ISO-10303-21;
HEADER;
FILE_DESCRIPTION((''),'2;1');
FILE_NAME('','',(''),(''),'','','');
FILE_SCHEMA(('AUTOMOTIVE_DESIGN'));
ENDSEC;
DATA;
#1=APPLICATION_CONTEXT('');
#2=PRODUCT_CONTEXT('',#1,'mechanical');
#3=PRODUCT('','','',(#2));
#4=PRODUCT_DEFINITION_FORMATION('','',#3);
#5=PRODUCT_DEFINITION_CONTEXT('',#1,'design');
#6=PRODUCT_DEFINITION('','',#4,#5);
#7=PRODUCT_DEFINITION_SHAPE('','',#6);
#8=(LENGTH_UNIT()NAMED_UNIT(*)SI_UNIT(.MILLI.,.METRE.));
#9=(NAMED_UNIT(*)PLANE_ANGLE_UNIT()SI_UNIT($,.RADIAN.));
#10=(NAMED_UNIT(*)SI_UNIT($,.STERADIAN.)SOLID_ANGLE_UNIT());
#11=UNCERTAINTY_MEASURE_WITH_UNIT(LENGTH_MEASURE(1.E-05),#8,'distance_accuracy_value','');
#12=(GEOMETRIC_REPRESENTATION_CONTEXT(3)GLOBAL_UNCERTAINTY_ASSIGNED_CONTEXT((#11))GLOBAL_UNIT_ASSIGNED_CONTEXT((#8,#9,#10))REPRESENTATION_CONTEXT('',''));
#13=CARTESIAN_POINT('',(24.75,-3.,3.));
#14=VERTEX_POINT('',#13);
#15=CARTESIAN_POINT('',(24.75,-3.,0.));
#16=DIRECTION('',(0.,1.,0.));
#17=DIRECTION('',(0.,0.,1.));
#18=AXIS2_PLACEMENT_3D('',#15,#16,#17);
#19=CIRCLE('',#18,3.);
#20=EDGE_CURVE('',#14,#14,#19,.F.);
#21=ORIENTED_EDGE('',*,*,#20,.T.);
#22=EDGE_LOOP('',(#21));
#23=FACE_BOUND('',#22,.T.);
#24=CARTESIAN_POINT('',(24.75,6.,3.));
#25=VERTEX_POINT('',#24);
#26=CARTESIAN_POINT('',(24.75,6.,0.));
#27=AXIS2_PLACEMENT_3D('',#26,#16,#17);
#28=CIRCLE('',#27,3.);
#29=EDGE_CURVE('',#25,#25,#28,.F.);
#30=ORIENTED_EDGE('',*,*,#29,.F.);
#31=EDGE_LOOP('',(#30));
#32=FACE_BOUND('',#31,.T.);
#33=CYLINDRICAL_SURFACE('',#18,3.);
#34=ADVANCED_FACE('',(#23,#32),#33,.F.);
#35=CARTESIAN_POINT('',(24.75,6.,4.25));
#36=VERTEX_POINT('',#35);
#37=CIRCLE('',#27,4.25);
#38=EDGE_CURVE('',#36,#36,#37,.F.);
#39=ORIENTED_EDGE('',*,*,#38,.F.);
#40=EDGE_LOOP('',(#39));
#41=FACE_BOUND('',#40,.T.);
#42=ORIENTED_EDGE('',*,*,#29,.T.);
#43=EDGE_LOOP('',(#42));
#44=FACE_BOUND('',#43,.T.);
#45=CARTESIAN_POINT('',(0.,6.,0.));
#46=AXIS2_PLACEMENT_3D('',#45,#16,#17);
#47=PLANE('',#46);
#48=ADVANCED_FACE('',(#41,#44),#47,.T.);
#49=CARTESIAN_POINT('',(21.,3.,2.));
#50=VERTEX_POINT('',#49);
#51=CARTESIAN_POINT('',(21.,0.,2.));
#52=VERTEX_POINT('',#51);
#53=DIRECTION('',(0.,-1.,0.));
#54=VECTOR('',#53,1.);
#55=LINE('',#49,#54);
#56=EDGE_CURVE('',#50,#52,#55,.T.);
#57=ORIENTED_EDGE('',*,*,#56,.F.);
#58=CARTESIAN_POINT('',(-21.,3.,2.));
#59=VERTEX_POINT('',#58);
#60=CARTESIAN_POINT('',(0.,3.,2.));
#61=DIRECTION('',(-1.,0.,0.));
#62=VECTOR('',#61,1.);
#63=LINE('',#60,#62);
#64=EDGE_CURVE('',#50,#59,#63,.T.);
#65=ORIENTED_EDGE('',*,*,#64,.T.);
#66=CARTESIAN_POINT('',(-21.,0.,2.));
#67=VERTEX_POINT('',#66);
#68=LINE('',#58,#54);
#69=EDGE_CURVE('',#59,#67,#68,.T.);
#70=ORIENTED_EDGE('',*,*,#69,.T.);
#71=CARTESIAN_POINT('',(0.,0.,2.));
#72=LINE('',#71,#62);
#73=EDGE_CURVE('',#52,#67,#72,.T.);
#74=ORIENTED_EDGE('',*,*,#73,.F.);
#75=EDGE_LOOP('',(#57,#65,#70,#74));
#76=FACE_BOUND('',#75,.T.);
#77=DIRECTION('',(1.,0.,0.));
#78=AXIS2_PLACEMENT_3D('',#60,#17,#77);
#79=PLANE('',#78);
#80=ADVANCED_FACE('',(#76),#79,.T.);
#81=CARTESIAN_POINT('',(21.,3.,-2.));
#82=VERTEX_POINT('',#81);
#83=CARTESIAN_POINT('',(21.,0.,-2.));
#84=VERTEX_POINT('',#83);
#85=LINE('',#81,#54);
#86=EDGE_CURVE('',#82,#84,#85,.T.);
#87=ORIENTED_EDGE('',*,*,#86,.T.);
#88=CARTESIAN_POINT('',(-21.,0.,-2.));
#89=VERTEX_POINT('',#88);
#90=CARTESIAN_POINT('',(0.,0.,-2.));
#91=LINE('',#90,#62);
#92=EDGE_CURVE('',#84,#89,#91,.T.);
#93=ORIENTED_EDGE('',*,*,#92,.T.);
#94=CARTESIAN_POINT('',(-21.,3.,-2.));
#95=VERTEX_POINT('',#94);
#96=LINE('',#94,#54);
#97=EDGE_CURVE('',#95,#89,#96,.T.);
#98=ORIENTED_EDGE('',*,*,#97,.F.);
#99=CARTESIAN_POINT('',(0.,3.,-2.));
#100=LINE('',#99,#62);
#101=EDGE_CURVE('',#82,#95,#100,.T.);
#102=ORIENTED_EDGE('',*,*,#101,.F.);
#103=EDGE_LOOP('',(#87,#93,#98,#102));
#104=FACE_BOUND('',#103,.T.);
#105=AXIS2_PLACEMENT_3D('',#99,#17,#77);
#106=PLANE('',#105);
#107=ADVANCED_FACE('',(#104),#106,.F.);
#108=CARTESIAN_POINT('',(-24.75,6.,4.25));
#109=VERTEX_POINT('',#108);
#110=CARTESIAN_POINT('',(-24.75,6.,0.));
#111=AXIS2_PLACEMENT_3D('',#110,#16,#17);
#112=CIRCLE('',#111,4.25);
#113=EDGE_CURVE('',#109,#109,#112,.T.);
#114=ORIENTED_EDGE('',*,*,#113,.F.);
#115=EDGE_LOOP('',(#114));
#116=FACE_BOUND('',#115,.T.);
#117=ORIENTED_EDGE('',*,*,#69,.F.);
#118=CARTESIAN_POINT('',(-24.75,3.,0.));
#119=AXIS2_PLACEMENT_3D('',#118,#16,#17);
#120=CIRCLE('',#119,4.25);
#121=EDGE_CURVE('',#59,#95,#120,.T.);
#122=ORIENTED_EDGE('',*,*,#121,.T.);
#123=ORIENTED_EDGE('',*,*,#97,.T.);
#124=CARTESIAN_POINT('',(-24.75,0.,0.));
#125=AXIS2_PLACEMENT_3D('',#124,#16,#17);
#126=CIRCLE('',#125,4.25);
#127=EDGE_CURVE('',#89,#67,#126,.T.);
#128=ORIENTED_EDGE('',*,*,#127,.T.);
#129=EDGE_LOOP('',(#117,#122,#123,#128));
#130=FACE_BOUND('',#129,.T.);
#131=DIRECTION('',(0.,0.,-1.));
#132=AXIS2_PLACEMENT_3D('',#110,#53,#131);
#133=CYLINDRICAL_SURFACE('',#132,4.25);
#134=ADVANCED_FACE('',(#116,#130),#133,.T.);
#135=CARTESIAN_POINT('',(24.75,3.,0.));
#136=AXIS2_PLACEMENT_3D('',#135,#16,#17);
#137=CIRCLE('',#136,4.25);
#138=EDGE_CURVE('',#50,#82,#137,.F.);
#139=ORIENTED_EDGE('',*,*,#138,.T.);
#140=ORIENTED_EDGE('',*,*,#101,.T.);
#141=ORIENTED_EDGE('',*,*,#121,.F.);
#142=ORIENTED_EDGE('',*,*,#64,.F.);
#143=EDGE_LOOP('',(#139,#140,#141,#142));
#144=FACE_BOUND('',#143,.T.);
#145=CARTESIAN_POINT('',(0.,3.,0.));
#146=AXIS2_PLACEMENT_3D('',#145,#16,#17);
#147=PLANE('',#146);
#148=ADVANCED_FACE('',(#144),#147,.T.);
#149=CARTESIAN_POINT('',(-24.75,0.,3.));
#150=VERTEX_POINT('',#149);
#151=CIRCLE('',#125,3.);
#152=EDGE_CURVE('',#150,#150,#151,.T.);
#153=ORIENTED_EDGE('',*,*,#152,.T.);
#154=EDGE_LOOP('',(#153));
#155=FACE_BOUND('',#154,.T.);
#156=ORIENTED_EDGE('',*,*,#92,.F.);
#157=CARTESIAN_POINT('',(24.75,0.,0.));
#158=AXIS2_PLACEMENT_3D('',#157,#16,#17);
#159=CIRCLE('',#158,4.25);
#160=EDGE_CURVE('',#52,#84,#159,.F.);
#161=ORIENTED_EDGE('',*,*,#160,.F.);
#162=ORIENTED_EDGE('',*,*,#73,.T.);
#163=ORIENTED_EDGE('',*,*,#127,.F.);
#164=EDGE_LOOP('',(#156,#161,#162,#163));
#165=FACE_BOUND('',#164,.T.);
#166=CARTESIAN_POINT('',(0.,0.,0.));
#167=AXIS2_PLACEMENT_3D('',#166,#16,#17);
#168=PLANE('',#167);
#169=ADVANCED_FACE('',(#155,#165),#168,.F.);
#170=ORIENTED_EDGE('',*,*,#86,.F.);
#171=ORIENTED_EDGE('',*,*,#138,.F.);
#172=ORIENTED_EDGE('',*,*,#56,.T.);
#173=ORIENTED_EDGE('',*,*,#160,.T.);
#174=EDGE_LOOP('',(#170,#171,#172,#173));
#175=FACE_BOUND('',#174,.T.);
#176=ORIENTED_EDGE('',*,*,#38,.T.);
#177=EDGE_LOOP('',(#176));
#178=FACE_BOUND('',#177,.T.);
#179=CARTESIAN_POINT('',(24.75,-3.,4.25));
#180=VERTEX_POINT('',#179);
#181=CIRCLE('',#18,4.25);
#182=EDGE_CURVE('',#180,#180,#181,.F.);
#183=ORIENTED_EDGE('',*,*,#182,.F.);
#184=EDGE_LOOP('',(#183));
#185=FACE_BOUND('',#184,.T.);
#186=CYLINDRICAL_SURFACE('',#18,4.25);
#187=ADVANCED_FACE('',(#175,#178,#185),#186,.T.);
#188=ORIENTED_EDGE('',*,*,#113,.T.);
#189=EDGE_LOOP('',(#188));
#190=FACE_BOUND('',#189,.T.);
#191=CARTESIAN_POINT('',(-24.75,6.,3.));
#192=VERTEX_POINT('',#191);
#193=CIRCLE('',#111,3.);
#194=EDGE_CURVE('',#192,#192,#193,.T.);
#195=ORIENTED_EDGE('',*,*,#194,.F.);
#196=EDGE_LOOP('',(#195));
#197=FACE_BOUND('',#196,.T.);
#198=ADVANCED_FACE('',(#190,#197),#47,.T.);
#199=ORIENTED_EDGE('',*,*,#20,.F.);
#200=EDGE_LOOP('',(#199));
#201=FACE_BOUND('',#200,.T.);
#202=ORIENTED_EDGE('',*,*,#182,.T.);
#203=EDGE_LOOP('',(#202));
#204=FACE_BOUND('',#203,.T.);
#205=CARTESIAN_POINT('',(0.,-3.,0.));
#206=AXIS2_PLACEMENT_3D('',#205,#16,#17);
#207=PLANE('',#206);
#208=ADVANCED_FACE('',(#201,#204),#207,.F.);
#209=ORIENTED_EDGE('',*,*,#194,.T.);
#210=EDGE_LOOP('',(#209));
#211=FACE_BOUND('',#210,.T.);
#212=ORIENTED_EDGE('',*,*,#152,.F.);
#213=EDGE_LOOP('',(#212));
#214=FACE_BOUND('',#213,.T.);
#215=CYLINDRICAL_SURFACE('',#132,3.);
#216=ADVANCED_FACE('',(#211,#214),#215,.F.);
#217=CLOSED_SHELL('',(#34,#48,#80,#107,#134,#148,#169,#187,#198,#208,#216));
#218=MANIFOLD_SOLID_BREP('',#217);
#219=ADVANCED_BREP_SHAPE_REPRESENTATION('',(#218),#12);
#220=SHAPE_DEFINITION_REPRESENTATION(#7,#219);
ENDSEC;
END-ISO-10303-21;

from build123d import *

# Parameters (mm, degrees)
BOSS_EXTRUDE1_DEPTH      = 3
SKETCH2_3_R              = 3
BOSS_EXTRUDE2_DEPTH      = 6
BOSS_EXTRUDE3_DEPTH      = 6
BOSS_EXTRUDE3_DEPTH_BACK = 3
SKETCH2_4_R              = 3


with BuildPart() as part:
    # Sketch2 → Boss-Extrude1 (new body)
    with BuildSketch(Plane(origin=(0, 0, 0), x_dir=(1, 0, 0), z_dir=(0, 1, 0))):
        with BuildLine():
            ThreePointArc((21, -2), (20.5, 0), (21, 2))
            Line((21, 2), (-21, 2))
            ThreePointArc((-21, 2), (-20.626894374, 1.030776406), (-20.5, 0))
            ThreePointArc((-20.5, 0), (-20.626894374, -1.030776406), (-21, -2))
            Line((-21, -2), (21, -2))
        make_face()
    extrude(amount=BOSS_EXTRUDE1_DEPTH)

    # Sketch2<3> → Boss-Extrude2 (add)
    with BuildSketch(Plane(origin=(0, 0, 0), x_dir=(1, 0, 0), z_dir=(0, 1, 0))):
        with BuildLine():
            ThreePointArc((-20.5, 0), (-20.626894374, 1.030776406), (-21, 2))
            ThreePointArc((-21, 2), (-29, 0), (-21, -2))
            ThreePointArc((-21, -2), (-20.626894374, -1.030776406), (-20.5, 0))
        make_face()
        with Locations((-24.75, 0)):
            Circle(SKETCH2_3_R, mode=Mode.SUBTRACT)
    extrude(amount=BOSS_EXTRUDE2_DEPTH)

    # Sketch2<4> → Boss-Extrude3 (add, two sides: drawn at the far end of the back side and taken through both)
    with BuildSketch(Plane(origin=(0, 0, 0), x_dir=(1, 0, 0), z_dir=(0, 1, 0)).offset(-BOSS_EXTRUDE3_DEPTH_BACK)):
        with BuildLine():
            ThreePointArc((29, 0), (25.780776406, 4.123105626), (21, 2))
            ThreePointArc((21, 2), (20.5, 0), (21, -2))
            ThreePointArc((21, -2), (25.780776406, -4.123105626), (29, 0))
        make_face()
        with Locations((24.75, 0)):
            Circle(SKETCH2_4_R, mode=Mode.SUBTRACT)
    extrude(amount=BOSS_EXTRUDE3_DEPTH + BOSS_EXTRUDE3_DEPTH_BACK)


solid = part.part
